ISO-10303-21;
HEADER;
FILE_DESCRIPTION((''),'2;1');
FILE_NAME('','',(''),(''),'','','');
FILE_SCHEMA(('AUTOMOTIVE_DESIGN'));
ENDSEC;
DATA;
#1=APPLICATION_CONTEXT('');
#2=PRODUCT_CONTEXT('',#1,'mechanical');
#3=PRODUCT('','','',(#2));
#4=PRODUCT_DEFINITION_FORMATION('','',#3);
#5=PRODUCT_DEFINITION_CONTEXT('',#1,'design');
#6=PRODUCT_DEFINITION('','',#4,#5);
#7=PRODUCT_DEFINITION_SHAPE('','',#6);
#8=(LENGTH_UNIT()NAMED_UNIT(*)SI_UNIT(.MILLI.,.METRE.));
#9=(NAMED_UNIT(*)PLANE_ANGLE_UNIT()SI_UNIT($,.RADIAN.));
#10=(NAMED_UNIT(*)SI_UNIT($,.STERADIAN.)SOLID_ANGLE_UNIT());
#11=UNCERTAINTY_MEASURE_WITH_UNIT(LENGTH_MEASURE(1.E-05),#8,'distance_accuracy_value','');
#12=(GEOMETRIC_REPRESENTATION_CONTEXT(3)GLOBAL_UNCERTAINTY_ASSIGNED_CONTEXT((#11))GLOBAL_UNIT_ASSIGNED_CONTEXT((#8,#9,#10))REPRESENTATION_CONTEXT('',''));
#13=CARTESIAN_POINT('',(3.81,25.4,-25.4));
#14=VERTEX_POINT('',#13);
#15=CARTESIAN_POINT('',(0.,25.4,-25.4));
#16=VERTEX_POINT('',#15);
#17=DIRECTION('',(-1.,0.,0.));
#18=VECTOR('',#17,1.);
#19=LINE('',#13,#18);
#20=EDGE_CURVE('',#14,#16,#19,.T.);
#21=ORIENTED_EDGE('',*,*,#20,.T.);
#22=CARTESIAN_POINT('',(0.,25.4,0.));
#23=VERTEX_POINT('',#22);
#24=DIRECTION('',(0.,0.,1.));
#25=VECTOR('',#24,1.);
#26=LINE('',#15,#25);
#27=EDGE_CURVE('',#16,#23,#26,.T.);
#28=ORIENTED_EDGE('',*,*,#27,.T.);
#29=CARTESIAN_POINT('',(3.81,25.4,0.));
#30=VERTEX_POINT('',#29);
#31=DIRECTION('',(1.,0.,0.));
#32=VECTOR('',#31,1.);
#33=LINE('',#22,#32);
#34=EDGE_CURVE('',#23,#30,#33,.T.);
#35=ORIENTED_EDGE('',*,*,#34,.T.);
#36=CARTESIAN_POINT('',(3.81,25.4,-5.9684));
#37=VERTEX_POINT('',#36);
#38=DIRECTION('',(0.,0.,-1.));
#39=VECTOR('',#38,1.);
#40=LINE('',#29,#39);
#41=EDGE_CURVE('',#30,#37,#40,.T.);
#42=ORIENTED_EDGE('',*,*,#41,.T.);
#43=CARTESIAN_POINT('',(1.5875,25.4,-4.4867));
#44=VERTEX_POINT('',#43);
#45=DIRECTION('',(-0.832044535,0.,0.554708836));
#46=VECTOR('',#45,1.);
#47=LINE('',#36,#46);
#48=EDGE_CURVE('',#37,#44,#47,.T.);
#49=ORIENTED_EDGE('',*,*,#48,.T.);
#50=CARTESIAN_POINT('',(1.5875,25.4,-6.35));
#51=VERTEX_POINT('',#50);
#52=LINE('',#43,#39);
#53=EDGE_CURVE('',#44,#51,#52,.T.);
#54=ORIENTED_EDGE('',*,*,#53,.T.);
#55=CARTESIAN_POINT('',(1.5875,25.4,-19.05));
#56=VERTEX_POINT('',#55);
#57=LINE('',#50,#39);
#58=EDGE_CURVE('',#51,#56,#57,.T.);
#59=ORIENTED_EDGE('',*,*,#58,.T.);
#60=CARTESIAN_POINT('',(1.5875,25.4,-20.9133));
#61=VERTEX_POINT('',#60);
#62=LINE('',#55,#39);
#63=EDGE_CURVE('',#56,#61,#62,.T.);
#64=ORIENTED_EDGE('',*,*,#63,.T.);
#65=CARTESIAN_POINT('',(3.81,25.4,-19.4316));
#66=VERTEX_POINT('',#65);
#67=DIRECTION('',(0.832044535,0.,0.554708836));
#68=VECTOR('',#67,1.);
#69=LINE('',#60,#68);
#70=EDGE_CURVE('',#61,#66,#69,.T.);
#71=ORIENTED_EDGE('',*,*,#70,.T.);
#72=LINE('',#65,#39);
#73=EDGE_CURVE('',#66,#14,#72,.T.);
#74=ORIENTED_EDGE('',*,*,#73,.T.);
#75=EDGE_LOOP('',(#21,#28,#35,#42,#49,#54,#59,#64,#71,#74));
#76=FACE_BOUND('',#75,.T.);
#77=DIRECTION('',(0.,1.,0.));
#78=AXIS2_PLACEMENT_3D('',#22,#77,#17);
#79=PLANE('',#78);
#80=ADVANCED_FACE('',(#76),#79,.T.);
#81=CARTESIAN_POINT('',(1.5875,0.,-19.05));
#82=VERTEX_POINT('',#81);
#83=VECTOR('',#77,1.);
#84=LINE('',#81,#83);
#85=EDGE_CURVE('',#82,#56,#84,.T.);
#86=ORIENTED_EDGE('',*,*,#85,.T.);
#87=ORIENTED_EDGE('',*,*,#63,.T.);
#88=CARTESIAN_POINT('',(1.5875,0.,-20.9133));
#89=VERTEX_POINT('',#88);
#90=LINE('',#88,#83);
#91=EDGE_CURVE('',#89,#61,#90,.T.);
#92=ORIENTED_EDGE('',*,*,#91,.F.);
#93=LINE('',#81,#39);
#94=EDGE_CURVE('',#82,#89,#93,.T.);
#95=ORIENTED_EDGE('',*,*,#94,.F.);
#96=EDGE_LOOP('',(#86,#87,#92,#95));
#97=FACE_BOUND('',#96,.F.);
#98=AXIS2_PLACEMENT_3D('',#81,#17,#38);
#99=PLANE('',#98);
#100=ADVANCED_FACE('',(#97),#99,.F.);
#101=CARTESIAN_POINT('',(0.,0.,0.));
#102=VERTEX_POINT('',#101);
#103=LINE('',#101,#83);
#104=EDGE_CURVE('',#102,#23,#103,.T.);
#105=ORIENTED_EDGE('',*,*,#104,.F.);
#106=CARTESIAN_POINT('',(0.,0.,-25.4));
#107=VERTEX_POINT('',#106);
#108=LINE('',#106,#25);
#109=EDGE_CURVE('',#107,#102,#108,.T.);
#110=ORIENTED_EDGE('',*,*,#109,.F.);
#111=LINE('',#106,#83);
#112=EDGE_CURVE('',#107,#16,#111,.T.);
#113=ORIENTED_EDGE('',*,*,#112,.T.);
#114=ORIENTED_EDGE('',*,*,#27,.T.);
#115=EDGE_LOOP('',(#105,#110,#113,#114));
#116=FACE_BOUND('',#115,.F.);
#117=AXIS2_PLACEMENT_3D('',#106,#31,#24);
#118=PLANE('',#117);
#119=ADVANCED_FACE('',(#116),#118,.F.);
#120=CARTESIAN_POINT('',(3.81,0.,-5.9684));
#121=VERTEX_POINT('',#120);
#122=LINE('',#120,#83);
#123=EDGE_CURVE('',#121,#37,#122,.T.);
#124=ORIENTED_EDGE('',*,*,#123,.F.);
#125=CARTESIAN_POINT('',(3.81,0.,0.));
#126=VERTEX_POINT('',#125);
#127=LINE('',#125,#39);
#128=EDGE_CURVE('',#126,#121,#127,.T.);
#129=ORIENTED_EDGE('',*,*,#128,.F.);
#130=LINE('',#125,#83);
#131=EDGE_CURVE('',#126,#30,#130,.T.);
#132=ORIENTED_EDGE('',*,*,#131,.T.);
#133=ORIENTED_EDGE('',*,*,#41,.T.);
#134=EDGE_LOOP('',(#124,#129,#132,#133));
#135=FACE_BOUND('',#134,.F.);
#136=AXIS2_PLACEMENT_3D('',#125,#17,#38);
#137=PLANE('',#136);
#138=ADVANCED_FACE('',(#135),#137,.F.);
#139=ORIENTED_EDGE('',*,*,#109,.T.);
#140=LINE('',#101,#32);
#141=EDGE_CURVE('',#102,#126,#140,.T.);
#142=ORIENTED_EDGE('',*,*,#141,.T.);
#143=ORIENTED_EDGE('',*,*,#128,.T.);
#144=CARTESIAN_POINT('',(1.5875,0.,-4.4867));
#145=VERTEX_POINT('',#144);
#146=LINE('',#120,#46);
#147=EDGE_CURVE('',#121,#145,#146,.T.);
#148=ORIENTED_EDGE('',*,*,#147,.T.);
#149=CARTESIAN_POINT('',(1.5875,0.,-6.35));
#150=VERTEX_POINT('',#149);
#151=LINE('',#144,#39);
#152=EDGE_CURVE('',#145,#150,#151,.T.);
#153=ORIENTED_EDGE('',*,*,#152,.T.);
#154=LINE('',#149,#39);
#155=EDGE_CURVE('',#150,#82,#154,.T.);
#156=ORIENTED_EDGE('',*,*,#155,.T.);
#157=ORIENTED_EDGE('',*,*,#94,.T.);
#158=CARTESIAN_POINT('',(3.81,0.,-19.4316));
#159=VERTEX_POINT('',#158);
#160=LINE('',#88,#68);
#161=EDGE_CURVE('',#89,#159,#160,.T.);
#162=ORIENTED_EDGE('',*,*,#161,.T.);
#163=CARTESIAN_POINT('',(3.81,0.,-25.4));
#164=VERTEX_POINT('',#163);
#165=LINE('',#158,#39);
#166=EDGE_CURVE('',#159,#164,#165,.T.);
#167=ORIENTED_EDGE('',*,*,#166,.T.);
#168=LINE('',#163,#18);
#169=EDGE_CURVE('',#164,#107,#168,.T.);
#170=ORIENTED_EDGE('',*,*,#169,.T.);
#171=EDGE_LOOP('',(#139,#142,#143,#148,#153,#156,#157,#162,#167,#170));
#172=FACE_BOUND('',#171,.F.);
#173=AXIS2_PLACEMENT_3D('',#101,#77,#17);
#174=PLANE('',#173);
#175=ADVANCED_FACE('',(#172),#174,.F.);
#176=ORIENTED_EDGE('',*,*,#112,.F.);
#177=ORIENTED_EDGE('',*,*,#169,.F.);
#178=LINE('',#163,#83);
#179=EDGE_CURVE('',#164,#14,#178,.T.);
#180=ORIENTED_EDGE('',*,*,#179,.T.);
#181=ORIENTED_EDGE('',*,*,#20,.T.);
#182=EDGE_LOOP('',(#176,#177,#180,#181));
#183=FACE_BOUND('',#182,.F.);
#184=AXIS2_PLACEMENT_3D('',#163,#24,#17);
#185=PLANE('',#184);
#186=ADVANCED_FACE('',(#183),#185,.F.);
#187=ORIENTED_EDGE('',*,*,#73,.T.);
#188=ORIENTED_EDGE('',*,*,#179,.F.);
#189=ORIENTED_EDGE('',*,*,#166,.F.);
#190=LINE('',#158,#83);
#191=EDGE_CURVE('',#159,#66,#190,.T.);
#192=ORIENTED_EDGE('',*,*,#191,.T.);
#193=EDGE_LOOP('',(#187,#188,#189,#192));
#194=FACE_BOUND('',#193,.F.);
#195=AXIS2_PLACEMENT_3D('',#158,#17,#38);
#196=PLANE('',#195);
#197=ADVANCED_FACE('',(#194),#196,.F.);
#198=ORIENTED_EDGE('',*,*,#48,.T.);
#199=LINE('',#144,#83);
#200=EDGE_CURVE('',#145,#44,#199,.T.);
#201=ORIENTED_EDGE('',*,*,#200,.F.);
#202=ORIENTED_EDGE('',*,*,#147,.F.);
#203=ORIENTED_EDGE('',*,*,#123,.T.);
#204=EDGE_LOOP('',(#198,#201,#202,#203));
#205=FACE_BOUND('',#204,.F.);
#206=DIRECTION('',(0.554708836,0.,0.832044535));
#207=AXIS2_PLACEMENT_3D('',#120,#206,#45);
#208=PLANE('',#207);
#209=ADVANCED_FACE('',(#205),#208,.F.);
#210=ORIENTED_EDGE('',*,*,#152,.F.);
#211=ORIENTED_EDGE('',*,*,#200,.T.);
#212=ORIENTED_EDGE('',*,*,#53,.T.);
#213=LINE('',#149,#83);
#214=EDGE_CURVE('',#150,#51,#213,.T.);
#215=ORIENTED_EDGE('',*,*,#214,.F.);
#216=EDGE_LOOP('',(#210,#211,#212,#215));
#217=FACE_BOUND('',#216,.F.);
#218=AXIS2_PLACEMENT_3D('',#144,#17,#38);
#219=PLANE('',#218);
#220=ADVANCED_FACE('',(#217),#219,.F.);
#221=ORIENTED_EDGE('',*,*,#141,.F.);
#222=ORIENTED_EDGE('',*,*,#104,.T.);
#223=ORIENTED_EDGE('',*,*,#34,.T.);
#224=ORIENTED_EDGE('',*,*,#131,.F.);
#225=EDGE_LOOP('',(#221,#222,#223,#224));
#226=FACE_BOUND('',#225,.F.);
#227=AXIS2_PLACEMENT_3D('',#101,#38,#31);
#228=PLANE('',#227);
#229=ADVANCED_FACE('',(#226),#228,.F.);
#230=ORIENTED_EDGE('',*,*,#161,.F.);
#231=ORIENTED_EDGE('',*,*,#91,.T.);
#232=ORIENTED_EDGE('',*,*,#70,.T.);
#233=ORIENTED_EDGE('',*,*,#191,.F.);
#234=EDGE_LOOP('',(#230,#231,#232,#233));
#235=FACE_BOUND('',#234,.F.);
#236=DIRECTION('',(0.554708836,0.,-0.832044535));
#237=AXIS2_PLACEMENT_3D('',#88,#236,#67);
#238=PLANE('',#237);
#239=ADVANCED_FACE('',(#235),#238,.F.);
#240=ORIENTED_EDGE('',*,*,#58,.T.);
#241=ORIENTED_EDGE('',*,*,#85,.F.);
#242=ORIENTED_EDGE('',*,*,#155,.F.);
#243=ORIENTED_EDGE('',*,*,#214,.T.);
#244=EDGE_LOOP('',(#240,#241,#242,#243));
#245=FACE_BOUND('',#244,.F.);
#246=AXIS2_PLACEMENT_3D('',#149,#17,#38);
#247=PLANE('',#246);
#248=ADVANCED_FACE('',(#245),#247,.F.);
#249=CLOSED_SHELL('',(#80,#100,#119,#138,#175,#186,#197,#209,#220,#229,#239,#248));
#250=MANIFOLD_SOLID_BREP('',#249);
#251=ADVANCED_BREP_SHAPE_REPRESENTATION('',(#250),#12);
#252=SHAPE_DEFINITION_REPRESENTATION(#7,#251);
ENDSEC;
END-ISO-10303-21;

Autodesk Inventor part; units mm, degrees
ref_plane "YZ Plane" through (0, 0, 0) normal (1, 0, 0) x (0, 1, 0)
ref_plane "XZ Plane" through (0, 0, 0) normal (0, 1, 0) x (-1, 0, 0)
ref_plane "XY Plane" through (0, 0, 0) normal (0, 0, 1) x (1, 0, 0)
sketch "Sketch1" plane through (0, 0, 0) normal (0, 1, 0) x (-1, 0, 0)
  line L0 (0, 0) -> (-3.81, 0)
  line L1 (-3.81, -25.4) -> (0, -25.4)
  line L2 (0, -25.4) -> (0, 0)
  line L3 (-3.81, -6.35) -> (-1.905, -6.35) construction
  line L4 (-1.905, -6.35) -> (-1.905, -19.05) construction
  line L5 (-1.905, -19.05) -> (-3.81, -19.05) construction
  line L6 (-1.905, -6.35) -> (-1.905, -5.08) construction
  line L7 (-1.905, -5.08) -> (-3.81, -6.35) construction
  line L8 (-1.905, -19.05) -> (-1.905, -20.32) construction
  line L9 (-1.905, -20.32) -> (-3.81, -19.05) construction
  line L10 (-1.5875, -4.4867) -> (-1.5875, -6.35)
  line L11 (-1.5875, -6.35) -> (-1.5875, -19.05)
  line L12 (-1.5875, -19.05) -> (-1.5875, -20.9133)
  line L13 (-1.5875, -20.9133) -> (-3.81, -19.4316)
  line L14 (-3.81, -5.9684) -> (-1.5875, -4.4867)
  line L15 (-3.81, 0) -> (-3.81, -5.9684)
  line L16 (-3.81, -19.4316) -> (-3.81, -25.4)
  dimension "d0" = 3.81
  dimension "d1" = 25.4
  dimension "d3" = 12.7
  dimension "d4" = 6.35
  dimension "d5" = 1.27
  dimension "d6" = 1.27
  dimension "d7" = 0.3175
extrude "Extrusion1" add sketch "Sketch1" along normal blind 25.4
properties part number "Sliding lock female test"
